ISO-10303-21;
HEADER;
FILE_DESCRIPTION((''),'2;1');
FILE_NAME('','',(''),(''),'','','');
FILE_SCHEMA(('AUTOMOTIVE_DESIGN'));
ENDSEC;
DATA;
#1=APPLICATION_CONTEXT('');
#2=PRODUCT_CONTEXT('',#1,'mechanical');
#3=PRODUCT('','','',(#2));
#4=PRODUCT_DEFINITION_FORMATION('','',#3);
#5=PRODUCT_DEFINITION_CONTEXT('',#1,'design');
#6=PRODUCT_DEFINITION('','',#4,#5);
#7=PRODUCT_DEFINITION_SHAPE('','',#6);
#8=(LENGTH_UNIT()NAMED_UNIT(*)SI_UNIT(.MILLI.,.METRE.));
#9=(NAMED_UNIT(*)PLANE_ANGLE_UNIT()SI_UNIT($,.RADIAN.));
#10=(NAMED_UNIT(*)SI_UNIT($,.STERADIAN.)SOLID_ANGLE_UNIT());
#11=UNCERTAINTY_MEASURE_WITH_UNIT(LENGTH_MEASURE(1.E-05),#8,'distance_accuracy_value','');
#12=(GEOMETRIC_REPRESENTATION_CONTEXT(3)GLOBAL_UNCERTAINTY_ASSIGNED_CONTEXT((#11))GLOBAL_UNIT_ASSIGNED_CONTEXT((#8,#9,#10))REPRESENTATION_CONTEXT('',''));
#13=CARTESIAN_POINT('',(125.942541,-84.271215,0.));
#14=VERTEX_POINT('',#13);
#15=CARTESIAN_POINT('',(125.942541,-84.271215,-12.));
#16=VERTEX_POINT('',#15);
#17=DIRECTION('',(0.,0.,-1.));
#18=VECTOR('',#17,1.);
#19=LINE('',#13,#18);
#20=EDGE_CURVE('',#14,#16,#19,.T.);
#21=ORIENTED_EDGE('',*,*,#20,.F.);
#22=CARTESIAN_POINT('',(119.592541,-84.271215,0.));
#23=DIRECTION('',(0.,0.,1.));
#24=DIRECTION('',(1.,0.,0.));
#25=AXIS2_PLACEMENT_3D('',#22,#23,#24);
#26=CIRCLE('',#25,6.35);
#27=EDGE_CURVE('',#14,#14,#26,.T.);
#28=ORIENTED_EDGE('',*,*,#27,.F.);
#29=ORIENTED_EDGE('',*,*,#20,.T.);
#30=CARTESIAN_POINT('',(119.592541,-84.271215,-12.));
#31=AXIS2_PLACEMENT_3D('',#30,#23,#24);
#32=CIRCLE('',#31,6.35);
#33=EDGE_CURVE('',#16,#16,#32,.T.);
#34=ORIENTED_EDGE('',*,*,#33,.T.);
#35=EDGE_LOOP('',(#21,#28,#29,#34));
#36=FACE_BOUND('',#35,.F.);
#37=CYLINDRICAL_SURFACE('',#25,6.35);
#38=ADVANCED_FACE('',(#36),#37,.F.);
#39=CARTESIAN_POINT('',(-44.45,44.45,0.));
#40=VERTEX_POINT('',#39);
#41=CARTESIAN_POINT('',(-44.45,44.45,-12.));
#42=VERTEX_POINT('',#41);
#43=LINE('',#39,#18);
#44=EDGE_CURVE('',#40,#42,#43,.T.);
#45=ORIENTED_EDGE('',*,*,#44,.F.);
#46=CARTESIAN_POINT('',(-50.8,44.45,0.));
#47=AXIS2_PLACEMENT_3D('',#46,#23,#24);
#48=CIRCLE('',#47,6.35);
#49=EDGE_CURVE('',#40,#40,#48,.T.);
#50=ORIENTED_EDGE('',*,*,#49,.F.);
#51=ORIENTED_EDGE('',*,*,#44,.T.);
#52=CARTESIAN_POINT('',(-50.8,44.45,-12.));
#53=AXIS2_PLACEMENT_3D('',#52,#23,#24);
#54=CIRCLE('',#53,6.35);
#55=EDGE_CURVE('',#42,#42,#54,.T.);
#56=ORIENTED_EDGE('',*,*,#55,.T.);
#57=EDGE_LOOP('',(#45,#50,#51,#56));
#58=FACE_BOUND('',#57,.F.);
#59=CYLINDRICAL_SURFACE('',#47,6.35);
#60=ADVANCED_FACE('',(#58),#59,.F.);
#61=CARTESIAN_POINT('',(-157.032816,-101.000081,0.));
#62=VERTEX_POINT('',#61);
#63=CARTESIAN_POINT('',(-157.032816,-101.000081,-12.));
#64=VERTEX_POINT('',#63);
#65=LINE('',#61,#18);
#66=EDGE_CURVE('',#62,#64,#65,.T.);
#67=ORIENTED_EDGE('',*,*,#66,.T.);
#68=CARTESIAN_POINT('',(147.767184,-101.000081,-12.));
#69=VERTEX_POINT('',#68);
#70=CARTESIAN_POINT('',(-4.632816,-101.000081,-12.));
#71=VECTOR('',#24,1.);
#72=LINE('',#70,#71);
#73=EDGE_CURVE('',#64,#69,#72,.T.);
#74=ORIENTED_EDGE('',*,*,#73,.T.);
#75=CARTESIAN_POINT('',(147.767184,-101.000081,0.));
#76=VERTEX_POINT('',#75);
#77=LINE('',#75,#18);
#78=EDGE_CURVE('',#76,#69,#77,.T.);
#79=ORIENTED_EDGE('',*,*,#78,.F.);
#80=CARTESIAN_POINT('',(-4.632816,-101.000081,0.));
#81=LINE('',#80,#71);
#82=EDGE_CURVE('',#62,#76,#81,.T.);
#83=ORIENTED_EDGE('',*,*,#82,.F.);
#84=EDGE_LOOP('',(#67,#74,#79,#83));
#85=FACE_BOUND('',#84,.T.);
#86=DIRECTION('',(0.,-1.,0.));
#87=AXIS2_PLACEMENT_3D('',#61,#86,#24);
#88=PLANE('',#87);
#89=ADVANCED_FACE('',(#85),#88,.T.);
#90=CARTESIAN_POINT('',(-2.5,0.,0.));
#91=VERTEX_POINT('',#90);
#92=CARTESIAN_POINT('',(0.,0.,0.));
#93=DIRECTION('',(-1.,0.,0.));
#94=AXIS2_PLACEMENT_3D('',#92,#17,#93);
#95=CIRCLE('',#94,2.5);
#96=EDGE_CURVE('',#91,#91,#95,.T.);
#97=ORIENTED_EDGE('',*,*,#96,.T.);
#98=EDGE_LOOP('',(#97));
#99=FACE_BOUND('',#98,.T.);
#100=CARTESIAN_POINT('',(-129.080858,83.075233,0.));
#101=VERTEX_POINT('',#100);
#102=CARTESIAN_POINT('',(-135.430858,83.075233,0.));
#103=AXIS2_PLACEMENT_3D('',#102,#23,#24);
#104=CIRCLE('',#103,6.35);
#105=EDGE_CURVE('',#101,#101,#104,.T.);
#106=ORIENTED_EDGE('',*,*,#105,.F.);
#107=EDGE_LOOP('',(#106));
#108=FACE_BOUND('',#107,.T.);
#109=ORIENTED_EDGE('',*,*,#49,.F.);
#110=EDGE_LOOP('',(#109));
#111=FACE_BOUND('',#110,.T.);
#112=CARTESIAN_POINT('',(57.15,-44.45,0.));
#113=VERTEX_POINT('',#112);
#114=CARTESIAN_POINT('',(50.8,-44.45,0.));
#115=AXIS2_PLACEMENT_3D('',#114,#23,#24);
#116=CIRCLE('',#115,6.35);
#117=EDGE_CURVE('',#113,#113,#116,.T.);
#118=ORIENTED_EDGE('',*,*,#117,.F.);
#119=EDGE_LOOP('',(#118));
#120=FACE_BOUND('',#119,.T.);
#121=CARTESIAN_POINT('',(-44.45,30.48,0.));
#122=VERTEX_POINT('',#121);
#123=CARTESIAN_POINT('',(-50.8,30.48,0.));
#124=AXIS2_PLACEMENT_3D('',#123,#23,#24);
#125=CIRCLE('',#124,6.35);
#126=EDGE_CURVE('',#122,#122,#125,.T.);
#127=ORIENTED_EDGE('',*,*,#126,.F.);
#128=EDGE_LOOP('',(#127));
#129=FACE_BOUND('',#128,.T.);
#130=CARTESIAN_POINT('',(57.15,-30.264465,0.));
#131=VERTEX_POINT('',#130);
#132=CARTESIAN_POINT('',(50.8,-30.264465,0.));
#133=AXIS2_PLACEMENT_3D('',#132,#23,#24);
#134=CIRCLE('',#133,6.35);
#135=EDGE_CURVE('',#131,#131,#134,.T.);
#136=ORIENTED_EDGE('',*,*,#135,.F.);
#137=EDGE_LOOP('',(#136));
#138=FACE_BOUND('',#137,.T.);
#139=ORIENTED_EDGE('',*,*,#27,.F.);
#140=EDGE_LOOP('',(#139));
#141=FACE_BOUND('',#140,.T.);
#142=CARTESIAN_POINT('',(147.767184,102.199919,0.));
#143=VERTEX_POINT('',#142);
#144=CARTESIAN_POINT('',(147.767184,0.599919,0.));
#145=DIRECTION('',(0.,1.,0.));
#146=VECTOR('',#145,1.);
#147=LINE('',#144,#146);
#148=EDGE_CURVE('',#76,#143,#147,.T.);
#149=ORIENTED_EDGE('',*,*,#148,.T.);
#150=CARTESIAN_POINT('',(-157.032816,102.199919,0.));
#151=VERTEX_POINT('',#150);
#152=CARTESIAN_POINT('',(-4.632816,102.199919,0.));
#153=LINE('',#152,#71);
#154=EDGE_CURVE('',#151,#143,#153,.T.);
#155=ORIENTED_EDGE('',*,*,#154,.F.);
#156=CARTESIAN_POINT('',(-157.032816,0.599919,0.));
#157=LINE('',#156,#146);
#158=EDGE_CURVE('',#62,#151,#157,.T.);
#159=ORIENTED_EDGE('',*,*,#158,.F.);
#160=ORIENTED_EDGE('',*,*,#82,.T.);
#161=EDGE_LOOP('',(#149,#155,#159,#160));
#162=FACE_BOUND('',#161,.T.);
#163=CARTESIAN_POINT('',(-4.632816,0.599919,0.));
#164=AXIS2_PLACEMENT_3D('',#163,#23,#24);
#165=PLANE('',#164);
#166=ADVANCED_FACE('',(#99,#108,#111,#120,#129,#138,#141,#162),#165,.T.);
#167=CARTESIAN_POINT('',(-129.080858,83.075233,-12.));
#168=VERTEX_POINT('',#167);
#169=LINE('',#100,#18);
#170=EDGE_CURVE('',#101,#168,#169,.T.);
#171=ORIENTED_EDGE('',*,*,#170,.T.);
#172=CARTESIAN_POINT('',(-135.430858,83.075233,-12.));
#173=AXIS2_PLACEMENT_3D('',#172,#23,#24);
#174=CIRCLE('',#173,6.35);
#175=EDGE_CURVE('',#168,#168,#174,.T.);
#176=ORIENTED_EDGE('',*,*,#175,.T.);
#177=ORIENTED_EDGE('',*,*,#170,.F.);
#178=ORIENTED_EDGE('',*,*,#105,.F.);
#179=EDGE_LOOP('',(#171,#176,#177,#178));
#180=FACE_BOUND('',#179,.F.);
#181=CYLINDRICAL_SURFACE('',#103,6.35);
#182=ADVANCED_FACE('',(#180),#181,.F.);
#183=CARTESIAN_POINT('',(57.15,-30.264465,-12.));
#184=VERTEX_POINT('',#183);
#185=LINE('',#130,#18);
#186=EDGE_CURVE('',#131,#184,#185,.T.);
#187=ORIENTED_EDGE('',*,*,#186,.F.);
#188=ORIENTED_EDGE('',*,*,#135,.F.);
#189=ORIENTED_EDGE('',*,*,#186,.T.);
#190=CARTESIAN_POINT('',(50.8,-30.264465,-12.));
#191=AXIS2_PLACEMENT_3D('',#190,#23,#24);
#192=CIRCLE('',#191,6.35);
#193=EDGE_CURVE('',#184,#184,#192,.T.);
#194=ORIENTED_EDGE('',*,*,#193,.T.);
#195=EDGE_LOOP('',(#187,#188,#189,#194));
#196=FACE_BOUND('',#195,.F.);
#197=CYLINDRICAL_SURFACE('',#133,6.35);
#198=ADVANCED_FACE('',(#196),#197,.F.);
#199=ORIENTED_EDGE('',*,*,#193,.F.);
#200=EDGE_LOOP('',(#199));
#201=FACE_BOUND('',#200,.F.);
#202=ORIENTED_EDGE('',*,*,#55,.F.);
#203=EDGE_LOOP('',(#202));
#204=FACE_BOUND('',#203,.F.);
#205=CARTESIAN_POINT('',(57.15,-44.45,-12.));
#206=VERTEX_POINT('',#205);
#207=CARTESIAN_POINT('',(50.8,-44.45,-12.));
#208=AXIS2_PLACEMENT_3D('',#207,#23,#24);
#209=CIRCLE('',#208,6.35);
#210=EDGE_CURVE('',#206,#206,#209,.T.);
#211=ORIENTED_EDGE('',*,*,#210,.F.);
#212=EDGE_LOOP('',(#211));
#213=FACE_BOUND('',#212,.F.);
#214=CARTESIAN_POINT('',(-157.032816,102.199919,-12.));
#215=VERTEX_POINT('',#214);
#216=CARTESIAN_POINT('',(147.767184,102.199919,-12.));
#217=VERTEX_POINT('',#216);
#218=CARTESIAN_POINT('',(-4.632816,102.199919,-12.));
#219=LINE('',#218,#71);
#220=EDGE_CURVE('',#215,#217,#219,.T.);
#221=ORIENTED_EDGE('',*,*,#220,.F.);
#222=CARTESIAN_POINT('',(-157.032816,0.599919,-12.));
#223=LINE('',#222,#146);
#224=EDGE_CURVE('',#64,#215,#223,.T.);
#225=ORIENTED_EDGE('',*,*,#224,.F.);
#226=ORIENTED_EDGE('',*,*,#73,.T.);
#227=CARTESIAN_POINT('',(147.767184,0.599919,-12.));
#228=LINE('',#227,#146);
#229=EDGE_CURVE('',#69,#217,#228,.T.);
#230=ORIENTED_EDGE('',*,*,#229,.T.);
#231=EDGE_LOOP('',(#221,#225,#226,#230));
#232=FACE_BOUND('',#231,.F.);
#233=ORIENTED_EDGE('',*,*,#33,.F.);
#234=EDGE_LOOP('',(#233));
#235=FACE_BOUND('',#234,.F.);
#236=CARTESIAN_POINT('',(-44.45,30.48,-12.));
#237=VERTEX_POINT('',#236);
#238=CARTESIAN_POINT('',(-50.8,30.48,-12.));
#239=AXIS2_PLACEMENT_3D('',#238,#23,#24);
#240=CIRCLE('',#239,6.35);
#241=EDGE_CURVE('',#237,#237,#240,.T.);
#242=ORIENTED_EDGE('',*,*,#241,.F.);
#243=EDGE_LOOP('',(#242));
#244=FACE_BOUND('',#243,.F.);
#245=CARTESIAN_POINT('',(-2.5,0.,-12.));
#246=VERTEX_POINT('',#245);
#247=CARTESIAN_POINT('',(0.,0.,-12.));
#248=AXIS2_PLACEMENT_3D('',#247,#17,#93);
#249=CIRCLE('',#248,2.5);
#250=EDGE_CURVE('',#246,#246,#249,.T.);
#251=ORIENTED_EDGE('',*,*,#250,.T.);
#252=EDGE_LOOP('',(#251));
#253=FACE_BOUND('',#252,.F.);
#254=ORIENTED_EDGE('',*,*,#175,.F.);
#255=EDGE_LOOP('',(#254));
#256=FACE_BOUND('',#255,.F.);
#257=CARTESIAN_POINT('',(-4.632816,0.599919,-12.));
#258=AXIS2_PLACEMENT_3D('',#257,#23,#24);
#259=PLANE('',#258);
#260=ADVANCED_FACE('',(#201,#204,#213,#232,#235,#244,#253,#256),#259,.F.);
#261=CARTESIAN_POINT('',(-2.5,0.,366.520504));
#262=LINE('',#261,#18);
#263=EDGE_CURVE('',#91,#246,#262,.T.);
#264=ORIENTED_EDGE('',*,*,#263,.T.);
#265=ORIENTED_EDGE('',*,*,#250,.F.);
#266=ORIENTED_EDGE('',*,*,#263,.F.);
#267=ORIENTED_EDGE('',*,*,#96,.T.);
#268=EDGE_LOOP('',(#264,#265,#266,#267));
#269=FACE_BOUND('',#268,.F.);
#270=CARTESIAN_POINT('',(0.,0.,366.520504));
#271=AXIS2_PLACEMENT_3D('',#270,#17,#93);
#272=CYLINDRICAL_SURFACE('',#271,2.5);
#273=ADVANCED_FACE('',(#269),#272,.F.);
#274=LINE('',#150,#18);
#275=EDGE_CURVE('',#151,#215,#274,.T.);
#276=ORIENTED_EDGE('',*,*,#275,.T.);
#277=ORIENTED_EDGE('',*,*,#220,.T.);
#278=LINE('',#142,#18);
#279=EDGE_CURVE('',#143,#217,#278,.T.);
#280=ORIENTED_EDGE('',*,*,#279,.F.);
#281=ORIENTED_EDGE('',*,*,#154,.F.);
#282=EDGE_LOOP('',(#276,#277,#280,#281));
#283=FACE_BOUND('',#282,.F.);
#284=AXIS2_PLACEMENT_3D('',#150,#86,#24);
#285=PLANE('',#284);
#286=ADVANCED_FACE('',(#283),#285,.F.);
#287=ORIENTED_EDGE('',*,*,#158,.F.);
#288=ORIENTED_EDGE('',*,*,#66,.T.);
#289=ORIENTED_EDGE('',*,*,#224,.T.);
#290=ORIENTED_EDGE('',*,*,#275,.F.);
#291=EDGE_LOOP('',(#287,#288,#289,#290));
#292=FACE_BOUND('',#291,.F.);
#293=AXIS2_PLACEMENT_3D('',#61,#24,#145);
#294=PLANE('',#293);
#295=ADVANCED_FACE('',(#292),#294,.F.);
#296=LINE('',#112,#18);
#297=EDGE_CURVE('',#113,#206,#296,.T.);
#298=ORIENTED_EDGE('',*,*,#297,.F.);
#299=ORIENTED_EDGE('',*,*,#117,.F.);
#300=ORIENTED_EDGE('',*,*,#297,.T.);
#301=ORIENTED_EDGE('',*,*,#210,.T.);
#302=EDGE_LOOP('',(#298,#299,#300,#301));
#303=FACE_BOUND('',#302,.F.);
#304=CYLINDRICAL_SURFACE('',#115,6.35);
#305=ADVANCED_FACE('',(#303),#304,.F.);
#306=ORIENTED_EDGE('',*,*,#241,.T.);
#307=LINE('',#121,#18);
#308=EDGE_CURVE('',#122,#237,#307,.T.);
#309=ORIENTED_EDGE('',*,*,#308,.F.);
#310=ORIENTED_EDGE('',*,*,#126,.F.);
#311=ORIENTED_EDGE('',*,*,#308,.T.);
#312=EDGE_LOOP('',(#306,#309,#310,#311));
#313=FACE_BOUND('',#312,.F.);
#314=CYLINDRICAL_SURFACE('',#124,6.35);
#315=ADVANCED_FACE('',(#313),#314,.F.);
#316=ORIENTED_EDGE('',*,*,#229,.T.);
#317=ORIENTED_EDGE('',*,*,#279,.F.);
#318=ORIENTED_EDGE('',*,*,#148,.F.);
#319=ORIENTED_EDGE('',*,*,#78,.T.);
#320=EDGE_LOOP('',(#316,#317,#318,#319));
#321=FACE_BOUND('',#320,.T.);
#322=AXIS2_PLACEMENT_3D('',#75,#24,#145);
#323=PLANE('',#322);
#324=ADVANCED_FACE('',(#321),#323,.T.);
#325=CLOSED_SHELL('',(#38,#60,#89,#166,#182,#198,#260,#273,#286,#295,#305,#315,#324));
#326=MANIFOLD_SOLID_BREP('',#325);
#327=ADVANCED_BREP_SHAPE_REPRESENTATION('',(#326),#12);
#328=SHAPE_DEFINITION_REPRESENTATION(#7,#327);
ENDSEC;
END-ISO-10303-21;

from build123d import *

# Parameters (mm, degrees)
F0_W     = 304.8
F0_H     = 203.2
F0_R     = 6.35
F1_DEPTH = 12
F3_D     = 5


with BuildPart() as f1:
    # F0 (on Top) → F1 (new body)
    with BuildSketch(Plane.XY):
        with Locations((-4.632816, 0.599919)):
            Rectangle(F0_W, F0_H)
        with Locations((119.592541, -84.271215)):
            Circle(F0_R, mode=Mode.SUBTRACT)
        with Locations((50.8, -44.45)):
            Circle(F0_R, mode=Mode.SUBTRACT)
        with Locations((50.8, -30.264465)):
            Circle(F0_R, mode=Mode.SUBTRACT)
        with Locations((-50.8, 30.48)):
            Circle(F0_R, mode=Mode.SUBTRACT)
        with Locations((-50.8, 44.45)):
            Circle(F0_R, mode=Mode.SUBTRACT)
        with Locations((-135.430858, 83.075233)):
            Circle(F0_R, mode=Mode.SUBTRACT)
    extrude(amount=-F1_DEPTH)

    # F3 (through all)
    with Locations(Plane.XY):
        with Locations((0, 0)):
            Hole(F3_D / 2)


solid = f1.part
